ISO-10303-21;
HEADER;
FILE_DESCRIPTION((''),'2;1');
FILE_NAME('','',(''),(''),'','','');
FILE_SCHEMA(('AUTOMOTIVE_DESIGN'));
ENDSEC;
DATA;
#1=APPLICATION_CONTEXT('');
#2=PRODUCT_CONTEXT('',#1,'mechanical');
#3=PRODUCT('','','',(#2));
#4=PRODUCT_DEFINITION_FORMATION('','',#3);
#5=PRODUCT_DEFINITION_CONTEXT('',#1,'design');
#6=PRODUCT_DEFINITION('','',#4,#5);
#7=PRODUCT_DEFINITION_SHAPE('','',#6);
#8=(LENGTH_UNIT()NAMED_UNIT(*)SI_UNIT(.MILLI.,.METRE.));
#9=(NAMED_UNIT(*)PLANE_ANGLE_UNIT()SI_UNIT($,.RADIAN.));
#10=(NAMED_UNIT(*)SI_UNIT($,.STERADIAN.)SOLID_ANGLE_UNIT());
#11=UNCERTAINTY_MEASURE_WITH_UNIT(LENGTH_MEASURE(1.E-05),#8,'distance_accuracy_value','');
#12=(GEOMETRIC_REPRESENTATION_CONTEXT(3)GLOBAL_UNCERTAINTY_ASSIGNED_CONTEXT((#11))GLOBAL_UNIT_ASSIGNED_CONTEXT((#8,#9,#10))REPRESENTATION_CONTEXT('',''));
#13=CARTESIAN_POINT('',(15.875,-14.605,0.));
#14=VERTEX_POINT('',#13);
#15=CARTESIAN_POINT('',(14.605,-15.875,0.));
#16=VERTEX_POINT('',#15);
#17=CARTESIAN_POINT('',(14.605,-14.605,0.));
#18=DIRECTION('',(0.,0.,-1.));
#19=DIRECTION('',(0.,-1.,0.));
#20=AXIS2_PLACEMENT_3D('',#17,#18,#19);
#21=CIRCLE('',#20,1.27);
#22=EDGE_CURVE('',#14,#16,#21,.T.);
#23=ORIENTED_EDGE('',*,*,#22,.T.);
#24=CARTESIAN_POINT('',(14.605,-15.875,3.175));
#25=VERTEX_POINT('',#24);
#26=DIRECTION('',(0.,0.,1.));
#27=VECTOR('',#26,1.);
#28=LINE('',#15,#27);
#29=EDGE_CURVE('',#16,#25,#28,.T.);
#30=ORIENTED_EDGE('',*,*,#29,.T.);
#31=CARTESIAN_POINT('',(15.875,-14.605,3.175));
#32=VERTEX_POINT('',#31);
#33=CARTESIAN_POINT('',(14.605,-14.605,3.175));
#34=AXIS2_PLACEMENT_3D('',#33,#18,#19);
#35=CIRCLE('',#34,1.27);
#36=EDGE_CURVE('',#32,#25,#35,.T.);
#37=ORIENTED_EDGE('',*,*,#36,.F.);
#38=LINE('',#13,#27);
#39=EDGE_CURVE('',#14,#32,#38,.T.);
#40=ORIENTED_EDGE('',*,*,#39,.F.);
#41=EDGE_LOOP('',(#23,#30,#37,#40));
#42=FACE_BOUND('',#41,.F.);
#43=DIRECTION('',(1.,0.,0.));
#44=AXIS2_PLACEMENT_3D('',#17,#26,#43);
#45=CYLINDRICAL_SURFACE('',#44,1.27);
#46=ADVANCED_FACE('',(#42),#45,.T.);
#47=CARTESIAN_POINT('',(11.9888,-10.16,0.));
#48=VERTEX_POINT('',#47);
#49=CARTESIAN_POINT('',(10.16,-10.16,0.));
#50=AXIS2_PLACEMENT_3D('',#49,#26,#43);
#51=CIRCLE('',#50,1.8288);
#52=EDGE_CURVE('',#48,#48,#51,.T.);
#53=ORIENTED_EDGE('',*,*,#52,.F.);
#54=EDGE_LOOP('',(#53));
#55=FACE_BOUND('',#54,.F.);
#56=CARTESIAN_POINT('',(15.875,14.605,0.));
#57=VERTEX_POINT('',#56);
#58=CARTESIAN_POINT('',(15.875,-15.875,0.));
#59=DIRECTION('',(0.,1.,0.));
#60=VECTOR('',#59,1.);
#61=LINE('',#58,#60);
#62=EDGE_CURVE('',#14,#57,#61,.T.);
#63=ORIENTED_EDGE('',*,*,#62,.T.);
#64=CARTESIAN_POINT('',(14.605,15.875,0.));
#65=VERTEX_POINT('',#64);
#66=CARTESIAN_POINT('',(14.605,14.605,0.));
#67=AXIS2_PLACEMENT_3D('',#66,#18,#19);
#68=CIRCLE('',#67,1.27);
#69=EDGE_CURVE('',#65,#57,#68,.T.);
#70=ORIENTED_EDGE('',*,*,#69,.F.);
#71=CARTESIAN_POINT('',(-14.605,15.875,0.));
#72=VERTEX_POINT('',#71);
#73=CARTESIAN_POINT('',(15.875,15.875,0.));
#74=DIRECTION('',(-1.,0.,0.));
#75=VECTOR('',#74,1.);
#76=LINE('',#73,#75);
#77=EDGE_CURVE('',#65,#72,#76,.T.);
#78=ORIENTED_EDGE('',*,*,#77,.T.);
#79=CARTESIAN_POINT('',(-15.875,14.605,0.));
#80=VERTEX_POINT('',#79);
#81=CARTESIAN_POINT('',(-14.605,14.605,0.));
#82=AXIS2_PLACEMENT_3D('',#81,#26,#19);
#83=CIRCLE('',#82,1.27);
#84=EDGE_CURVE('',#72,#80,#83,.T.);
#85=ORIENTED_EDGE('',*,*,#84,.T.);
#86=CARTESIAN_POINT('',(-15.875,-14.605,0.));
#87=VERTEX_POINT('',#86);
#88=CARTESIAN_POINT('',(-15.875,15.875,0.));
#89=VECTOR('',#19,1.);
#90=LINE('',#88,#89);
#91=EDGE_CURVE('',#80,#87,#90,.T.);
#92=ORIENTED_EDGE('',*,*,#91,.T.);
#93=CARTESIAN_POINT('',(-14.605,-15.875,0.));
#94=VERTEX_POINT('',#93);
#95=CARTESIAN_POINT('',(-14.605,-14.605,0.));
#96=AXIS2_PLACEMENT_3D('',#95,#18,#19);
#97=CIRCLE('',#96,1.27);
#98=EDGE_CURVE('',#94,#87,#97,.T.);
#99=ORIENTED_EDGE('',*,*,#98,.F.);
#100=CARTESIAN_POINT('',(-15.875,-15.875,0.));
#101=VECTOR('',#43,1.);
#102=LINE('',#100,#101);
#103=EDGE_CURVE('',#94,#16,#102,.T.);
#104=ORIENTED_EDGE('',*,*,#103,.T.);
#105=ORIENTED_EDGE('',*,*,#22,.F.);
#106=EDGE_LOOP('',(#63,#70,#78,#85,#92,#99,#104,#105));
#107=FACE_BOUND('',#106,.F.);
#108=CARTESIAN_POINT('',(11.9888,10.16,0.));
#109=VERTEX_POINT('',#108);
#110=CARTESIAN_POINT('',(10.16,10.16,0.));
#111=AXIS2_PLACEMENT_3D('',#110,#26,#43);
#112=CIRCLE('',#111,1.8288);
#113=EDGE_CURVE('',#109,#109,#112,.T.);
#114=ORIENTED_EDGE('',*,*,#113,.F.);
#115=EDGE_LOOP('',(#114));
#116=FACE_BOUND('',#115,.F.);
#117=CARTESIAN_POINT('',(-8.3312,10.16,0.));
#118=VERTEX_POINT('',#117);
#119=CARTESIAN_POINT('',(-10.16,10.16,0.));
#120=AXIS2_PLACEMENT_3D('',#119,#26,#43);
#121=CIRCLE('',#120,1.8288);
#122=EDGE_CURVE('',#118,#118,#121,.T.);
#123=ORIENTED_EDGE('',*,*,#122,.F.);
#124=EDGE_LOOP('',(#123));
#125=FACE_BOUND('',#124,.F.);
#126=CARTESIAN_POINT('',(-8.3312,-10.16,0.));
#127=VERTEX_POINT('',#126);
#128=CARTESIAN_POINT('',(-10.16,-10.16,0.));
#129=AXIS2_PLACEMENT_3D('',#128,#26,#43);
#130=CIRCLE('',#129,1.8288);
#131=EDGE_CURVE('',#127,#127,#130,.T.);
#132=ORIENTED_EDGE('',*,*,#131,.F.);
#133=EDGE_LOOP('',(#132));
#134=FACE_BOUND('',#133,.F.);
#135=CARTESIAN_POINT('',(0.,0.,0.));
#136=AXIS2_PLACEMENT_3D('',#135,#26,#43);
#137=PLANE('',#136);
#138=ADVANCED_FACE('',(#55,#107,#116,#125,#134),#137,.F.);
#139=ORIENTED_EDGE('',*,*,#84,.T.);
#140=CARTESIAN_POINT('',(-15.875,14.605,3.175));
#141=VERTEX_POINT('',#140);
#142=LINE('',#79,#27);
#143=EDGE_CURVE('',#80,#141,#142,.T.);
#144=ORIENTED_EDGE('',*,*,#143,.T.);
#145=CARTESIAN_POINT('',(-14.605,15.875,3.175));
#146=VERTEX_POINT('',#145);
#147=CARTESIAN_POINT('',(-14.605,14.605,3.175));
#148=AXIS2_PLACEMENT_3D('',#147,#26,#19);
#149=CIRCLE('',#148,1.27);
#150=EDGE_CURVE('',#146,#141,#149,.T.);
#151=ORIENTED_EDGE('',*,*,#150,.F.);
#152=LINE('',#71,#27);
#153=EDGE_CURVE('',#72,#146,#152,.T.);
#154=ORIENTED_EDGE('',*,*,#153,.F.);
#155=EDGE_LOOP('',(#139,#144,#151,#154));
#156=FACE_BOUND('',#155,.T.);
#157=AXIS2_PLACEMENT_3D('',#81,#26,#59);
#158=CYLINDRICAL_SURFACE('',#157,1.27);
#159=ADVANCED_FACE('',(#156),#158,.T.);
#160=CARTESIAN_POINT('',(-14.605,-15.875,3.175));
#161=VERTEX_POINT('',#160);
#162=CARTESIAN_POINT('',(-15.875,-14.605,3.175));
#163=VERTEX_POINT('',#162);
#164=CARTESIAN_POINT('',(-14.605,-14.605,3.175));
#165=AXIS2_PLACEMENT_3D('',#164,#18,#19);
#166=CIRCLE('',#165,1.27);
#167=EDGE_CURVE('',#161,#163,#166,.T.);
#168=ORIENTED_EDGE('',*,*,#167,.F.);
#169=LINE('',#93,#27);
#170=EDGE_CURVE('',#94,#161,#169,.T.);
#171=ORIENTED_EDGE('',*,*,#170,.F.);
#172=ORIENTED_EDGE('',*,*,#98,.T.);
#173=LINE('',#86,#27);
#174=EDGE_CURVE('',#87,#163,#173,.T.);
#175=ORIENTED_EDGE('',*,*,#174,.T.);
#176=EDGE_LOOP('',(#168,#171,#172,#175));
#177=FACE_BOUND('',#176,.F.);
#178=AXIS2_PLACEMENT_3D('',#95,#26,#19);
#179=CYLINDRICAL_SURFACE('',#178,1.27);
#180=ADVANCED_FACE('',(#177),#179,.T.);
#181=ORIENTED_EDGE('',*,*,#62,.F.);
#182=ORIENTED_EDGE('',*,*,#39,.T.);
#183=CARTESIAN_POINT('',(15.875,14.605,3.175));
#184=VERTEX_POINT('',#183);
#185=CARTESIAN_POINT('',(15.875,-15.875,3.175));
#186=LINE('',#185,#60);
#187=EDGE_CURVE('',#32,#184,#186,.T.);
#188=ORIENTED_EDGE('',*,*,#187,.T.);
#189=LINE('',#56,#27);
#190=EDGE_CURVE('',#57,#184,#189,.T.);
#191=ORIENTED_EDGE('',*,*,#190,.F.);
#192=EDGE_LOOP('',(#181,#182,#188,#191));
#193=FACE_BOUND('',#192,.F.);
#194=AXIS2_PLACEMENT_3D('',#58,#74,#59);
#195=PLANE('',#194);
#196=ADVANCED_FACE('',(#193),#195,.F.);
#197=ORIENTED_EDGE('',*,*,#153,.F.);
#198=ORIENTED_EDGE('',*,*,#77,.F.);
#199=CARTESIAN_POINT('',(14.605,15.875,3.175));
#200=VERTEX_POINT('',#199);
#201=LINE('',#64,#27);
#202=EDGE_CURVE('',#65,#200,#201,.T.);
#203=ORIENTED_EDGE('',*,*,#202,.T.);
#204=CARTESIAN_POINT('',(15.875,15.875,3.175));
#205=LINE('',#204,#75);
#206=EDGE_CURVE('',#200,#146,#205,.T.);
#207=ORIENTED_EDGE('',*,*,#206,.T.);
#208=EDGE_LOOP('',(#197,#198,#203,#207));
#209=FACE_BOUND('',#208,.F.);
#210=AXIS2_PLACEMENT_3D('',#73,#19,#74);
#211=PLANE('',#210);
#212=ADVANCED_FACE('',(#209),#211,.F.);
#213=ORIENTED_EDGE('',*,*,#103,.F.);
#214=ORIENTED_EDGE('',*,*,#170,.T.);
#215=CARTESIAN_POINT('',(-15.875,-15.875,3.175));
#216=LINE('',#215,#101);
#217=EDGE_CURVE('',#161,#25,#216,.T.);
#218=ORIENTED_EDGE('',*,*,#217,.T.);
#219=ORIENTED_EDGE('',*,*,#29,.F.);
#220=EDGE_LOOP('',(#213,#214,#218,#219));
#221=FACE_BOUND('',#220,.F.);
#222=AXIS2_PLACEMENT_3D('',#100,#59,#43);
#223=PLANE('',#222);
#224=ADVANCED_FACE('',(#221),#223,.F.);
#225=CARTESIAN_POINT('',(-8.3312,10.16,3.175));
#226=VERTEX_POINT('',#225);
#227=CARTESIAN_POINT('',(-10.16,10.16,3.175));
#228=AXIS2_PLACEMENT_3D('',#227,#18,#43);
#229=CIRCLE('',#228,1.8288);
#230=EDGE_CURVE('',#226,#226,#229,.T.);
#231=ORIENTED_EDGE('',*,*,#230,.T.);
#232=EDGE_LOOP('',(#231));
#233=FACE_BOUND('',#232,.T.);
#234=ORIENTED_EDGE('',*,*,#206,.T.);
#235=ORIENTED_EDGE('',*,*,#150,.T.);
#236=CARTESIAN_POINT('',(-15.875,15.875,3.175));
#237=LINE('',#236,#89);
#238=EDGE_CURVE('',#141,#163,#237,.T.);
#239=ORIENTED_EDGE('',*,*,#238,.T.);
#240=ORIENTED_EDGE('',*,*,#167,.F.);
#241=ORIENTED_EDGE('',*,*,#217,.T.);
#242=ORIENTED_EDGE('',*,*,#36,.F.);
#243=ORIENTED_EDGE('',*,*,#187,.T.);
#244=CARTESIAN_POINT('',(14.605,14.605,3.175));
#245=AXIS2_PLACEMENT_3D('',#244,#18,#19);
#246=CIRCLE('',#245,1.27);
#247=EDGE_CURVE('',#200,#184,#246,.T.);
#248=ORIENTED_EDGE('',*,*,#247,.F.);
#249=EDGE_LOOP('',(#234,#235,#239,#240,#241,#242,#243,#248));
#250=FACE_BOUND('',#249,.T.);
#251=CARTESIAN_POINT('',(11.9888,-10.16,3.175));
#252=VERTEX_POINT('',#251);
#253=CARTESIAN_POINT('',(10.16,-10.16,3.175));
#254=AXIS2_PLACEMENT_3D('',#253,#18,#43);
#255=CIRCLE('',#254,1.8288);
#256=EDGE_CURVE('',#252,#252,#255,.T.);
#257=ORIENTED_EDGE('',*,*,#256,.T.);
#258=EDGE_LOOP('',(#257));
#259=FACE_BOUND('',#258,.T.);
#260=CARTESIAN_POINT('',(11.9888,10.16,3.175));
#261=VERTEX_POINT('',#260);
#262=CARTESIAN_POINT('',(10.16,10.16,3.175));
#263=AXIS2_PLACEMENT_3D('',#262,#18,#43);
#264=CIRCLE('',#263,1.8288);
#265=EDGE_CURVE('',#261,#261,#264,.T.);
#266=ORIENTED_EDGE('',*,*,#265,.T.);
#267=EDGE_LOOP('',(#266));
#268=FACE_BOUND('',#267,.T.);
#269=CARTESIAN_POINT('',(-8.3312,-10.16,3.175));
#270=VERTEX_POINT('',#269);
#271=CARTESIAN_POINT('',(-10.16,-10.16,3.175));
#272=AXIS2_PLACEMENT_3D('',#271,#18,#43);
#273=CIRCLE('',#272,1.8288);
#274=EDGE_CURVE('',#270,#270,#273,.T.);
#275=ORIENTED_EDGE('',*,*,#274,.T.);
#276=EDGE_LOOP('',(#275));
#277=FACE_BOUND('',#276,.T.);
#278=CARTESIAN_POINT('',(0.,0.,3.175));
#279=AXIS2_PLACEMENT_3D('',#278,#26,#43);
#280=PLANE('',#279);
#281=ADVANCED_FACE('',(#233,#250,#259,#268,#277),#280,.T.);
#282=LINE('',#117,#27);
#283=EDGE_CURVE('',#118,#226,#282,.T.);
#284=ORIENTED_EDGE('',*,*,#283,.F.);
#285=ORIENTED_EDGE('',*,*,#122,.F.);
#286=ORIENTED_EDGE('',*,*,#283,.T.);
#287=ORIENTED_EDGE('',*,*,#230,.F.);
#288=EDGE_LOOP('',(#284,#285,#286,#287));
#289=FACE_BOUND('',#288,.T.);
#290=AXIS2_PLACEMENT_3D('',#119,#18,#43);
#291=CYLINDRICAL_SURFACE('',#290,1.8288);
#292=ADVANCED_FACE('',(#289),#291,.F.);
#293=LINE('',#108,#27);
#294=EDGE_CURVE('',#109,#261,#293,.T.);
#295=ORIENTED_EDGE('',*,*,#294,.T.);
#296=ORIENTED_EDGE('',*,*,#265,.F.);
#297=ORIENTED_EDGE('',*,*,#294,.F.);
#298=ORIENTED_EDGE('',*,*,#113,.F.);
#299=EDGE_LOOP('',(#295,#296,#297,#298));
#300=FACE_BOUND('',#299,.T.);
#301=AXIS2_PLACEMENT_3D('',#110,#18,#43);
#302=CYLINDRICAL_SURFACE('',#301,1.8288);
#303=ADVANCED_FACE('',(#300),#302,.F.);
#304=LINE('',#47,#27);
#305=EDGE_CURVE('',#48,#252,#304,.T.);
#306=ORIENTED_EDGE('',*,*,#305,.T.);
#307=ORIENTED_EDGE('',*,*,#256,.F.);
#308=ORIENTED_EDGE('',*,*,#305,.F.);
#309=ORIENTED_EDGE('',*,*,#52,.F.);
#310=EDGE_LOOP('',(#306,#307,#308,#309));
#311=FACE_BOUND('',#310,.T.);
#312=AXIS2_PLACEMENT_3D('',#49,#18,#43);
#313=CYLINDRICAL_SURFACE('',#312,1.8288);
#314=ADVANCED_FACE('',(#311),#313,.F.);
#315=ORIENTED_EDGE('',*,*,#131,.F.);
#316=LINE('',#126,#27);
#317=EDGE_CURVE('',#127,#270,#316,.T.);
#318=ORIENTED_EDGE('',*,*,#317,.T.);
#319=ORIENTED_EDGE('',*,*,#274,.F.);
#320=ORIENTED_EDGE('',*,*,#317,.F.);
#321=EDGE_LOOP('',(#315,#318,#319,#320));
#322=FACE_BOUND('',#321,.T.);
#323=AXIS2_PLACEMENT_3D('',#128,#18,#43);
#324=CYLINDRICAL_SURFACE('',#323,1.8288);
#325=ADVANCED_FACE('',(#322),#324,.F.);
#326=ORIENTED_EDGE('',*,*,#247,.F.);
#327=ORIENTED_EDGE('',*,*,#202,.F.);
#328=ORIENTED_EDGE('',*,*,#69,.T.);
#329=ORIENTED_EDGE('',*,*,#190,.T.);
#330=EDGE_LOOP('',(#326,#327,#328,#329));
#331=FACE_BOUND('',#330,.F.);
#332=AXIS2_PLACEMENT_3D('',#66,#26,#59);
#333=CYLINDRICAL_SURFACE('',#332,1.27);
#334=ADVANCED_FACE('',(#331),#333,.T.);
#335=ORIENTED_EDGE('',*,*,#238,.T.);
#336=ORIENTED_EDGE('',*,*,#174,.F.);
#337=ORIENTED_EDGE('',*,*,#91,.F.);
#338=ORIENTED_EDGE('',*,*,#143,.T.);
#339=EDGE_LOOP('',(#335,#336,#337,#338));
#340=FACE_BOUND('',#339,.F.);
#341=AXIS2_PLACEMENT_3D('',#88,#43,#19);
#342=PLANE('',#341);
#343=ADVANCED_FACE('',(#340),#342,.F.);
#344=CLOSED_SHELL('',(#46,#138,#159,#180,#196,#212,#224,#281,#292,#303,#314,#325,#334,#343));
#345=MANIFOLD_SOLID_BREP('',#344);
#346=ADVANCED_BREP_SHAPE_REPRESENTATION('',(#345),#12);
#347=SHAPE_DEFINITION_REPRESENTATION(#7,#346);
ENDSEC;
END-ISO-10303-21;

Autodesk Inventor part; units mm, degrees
ref_plane "YZ Plane" through (0, 0, 0) normal (1, 0, 0) x (0, 1, 0)
ref_plane "XZ Plane" through (0, 0, 0) normal (0, 1, 0) x (-1, 0, 0)
ref_plane "XY Plane" through (0, 0, 0) normal (0, 0, 1) x (1, 0, 0)
sketch "Sketch1" plane through (0, 0, 0) normal (0, 0, 1) x (1, 0, 0)
  line L0 (-15.875, -15.875) -> (15.875, -15.875)
  line L1 (15.875, -15.875) -> (15.875, 15.875)
  line L2 (15.875, 15.875) -> (-15.875, 15.875)
  line L3 (-15.875, 15.875) -> (-15.875, -15.875)
  line L4 (0, 0) -> (0, 6.6196)
  line L5 (-8.6733, 0) -> (9.2317, 0)
  circle A0 centre (-10.16, 10.16) radius 1.8288
  circle A1 centre (10.16, 10.16) radius 1.8288
  circle A2 centre (10.16, -10.16) radius 1.8288
  circle A3 centre (-10.16, -10.16) radius 1.8288
  dimension "d3" = 31.75
  dimension "d4" = 31.75
  dimension "d27" = 20.32
  dimension "d28" = 10.16
  dimension "d29" = 3.6576
  dimension "d30" = 3.6576
  dimension "d31" = 3.6576
  dimension "d32" = 3.6576
  dimension "d35" = 20.32
  dimension "d36" = 10.16
  dimension "d37" = 10.16
extrude "Extrusion1" add sketch "Sketch1" along normal blind 3.175 contours L3 L2 L1 L0 | A0 | A1 | A2 | A3
fillet "Fillet1" radius 1.27 1 edges at (15.875, 15.875, 1.5875)
fillet "Fillet2" radius 1.27 1 edges at (-15.875, 15.875, 1.5875)
fillet "Fillet3" radius 1.27 1 edges at (15.875, -15.875, 1.5875)
fillet "Fillet4" radius 1.27 1 edges at (-15.875, -15.875, 1.5875)
extrude "Extrusion2" cut sketch "Sketch1" along normal through all contours A0 | A1 | A2 | A3
properties part number "MotorMountBottom"
